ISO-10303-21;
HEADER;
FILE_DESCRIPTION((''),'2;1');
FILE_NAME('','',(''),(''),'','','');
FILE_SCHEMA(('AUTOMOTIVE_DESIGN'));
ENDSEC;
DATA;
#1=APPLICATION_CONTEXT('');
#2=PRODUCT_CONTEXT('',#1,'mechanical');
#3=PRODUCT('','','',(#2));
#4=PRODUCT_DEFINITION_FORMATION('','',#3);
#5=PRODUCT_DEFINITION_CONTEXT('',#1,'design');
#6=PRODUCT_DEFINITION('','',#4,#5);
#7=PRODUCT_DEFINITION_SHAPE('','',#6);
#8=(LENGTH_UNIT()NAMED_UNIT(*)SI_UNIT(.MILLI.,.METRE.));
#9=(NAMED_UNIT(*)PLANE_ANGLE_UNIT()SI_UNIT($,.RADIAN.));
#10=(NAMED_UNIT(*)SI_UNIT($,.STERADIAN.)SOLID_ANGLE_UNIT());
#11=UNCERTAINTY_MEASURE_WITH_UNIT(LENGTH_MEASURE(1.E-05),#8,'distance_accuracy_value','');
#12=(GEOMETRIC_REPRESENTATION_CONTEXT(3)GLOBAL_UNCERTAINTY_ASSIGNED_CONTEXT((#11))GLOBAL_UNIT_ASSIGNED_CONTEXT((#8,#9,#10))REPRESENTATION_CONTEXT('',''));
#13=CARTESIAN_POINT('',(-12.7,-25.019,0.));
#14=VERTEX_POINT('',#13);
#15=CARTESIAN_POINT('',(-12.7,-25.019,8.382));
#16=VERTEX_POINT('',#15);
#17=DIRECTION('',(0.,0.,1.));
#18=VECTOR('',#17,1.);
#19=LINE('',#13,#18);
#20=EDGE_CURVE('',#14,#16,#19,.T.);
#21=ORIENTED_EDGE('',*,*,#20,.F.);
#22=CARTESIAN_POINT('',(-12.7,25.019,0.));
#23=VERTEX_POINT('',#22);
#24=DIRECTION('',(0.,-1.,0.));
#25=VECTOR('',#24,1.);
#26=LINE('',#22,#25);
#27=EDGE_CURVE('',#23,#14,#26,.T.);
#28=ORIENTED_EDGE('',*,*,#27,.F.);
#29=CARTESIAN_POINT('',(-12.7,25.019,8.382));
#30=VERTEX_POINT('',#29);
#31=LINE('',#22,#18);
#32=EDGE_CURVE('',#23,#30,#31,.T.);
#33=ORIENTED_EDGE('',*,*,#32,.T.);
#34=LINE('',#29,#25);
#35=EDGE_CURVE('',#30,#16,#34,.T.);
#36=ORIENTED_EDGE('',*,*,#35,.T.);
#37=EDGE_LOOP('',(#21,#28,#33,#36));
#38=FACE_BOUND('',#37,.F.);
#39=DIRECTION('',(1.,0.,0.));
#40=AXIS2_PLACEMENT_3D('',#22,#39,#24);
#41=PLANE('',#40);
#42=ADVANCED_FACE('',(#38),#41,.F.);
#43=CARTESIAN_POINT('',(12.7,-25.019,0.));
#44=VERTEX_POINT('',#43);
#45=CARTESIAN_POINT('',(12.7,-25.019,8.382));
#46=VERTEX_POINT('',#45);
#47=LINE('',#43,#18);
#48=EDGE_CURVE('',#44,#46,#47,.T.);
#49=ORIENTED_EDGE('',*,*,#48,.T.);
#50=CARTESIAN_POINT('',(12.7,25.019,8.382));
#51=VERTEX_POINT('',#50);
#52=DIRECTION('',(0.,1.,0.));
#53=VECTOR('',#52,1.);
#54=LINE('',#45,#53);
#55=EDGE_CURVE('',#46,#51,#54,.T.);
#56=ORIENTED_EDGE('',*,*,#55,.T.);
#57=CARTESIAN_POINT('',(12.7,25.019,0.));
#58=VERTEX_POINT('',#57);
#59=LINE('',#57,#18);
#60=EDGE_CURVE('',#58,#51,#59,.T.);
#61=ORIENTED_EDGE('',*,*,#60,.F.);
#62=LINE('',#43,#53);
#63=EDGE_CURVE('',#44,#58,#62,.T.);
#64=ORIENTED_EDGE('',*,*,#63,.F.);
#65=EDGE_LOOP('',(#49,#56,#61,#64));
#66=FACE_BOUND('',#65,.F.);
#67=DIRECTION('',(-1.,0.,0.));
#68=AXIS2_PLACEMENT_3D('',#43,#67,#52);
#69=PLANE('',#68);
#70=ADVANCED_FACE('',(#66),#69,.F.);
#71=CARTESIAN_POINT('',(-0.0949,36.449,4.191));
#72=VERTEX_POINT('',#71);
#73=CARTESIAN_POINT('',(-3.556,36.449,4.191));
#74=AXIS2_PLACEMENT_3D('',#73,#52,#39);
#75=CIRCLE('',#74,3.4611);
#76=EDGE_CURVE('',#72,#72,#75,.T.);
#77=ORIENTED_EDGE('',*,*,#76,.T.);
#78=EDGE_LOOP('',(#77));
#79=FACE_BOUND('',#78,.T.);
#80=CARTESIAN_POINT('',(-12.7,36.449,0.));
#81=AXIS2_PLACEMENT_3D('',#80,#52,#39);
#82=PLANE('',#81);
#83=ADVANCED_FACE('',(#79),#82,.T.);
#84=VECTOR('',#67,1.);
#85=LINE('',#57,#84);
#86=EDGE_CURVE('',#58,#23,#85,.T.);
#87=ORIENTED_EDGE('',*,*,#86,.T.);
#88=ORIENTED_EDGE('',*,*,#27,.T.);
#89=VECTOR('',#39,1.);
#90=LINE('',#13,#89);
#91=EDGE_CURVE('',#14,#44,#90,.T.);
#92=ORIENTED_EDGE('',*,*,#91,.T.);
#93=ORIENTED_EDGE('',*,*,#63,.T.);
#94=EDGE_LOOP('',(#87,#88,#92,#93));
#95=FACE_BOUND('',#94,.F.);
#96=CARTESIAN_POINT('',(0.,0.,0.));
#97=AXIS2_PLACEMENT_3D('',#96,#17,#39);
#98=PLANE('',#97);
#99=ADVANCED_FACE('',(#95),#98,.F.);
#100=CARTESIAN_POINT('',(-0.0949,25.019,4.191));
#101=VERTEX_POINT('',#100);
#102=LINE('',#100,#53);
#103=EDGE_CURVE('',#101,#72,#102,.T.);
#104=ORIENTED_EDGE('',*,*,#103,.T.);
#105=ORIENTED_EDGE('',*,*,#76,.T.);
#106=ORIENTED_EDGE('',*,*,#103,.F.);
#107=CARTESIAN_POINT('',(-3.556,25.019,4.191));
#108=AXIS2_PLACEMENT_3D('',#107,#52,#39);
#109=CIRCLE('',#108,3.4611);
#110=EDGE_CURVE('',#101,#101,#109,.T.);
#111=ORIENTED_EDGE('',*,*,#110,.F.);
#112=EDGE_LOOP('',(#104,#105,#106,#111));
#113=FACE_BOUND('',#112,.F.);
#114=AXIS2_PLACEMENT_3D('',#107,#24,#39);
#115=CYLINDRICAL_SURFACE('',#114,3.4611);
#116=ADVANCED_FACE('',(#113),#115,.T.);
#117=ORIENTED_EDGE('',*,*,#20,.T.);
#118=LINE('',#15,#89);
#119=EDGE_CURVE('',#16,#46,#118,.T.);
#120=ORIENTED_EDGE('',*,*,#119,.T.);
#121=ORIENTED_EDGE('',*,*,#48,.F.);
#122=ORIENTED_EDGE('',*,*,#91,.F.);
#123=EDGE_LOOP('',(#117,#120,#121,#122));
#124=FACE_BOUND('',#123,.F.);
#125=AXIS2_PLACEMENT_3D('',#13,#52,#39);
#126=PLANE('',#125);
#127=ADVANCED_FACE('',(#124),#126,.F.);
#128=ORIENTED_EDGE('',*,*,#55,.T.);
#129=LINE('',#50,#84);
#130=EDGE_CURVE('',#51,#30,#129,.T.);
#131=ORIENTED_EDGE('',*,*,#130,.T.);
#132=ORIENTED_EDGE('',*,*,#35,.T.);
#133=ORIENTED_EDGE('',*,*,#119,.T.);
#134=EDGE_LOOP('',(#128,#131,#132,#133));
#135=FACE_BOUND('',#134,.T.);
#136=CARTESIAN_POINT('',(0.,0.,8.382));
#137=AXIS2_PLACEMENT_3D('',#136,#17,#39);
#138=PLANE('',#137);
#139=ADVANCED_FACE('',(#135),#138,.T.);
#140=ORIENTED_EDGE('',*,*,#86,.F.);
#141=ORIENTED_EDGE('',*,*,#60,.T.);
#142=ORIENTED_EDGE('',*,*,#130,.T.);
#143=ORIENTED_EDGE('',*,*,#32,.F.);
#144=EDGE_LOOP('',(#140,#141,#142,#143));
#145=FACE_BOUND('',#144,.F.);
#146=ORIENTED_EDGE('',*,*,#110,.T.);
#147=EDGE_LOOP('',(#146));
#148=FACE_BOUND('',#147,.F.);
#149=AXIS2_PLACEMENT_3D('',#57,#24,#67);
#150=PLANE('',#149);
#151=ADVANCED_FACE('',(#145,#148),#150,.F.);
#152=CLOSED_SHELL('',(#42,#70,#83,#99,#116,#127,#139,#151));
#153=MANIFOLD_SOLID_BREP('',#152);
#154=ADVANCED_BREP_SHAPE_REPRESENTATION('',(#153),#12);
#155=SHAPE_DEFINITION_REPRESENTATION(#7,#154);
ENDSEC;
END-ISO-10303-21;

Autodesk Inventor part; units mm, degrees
ref_plane "YZ Plane" through (0, 0, 0) normal (1, 0, 0) x (0, 1, 0)
ref_plane "XZ Plane" through (0, 0, 0) normal (0, 1, 0) x (-1, 0, 0)
ref_plane "XY Plane" through (0, 0, 0) normal (0, 0, 1) x (1, 0, 0)
sketch "Sketch1" plane through (0, 0, 0) normal (0, 0, 1) x (1, 0, 0)
  line L0 (12.7, 25.019) -> (-12.7, 25.019)
  line L1 (-12.7, 25.019) -> (-12.7, -25.019)
  line L2 (-12.7, -25.019) -> (12.7, -25.019)
  line L3 (12.7, -25.019) -> (12.7, 25.019)
  point P0 (0, 0)
  point P1 (-12.7, 0)
  point P2 (0, 25.019)
  dimension "d0" = 25.4
  dimension "d1" = 50.038
extrude "Extrusion1" add sketch "Sketch1" along normal blind 8.382
sketch "Sketch2" plane through (-12.7, 25.019, 0) normal (0, 1, 0) x (1, 0, 0)
  line L0 (0, 0) -> (0, -8.382) projected
  circle A0 centre (9.144, -4.191) radius 3.4611
  point P0 (12.7, 0)
  dimension "d4" = 9.144
extrude "Extrusion2" add sketch "Sketch2" along normal blind 11.43
properties part number "Video Tx"
